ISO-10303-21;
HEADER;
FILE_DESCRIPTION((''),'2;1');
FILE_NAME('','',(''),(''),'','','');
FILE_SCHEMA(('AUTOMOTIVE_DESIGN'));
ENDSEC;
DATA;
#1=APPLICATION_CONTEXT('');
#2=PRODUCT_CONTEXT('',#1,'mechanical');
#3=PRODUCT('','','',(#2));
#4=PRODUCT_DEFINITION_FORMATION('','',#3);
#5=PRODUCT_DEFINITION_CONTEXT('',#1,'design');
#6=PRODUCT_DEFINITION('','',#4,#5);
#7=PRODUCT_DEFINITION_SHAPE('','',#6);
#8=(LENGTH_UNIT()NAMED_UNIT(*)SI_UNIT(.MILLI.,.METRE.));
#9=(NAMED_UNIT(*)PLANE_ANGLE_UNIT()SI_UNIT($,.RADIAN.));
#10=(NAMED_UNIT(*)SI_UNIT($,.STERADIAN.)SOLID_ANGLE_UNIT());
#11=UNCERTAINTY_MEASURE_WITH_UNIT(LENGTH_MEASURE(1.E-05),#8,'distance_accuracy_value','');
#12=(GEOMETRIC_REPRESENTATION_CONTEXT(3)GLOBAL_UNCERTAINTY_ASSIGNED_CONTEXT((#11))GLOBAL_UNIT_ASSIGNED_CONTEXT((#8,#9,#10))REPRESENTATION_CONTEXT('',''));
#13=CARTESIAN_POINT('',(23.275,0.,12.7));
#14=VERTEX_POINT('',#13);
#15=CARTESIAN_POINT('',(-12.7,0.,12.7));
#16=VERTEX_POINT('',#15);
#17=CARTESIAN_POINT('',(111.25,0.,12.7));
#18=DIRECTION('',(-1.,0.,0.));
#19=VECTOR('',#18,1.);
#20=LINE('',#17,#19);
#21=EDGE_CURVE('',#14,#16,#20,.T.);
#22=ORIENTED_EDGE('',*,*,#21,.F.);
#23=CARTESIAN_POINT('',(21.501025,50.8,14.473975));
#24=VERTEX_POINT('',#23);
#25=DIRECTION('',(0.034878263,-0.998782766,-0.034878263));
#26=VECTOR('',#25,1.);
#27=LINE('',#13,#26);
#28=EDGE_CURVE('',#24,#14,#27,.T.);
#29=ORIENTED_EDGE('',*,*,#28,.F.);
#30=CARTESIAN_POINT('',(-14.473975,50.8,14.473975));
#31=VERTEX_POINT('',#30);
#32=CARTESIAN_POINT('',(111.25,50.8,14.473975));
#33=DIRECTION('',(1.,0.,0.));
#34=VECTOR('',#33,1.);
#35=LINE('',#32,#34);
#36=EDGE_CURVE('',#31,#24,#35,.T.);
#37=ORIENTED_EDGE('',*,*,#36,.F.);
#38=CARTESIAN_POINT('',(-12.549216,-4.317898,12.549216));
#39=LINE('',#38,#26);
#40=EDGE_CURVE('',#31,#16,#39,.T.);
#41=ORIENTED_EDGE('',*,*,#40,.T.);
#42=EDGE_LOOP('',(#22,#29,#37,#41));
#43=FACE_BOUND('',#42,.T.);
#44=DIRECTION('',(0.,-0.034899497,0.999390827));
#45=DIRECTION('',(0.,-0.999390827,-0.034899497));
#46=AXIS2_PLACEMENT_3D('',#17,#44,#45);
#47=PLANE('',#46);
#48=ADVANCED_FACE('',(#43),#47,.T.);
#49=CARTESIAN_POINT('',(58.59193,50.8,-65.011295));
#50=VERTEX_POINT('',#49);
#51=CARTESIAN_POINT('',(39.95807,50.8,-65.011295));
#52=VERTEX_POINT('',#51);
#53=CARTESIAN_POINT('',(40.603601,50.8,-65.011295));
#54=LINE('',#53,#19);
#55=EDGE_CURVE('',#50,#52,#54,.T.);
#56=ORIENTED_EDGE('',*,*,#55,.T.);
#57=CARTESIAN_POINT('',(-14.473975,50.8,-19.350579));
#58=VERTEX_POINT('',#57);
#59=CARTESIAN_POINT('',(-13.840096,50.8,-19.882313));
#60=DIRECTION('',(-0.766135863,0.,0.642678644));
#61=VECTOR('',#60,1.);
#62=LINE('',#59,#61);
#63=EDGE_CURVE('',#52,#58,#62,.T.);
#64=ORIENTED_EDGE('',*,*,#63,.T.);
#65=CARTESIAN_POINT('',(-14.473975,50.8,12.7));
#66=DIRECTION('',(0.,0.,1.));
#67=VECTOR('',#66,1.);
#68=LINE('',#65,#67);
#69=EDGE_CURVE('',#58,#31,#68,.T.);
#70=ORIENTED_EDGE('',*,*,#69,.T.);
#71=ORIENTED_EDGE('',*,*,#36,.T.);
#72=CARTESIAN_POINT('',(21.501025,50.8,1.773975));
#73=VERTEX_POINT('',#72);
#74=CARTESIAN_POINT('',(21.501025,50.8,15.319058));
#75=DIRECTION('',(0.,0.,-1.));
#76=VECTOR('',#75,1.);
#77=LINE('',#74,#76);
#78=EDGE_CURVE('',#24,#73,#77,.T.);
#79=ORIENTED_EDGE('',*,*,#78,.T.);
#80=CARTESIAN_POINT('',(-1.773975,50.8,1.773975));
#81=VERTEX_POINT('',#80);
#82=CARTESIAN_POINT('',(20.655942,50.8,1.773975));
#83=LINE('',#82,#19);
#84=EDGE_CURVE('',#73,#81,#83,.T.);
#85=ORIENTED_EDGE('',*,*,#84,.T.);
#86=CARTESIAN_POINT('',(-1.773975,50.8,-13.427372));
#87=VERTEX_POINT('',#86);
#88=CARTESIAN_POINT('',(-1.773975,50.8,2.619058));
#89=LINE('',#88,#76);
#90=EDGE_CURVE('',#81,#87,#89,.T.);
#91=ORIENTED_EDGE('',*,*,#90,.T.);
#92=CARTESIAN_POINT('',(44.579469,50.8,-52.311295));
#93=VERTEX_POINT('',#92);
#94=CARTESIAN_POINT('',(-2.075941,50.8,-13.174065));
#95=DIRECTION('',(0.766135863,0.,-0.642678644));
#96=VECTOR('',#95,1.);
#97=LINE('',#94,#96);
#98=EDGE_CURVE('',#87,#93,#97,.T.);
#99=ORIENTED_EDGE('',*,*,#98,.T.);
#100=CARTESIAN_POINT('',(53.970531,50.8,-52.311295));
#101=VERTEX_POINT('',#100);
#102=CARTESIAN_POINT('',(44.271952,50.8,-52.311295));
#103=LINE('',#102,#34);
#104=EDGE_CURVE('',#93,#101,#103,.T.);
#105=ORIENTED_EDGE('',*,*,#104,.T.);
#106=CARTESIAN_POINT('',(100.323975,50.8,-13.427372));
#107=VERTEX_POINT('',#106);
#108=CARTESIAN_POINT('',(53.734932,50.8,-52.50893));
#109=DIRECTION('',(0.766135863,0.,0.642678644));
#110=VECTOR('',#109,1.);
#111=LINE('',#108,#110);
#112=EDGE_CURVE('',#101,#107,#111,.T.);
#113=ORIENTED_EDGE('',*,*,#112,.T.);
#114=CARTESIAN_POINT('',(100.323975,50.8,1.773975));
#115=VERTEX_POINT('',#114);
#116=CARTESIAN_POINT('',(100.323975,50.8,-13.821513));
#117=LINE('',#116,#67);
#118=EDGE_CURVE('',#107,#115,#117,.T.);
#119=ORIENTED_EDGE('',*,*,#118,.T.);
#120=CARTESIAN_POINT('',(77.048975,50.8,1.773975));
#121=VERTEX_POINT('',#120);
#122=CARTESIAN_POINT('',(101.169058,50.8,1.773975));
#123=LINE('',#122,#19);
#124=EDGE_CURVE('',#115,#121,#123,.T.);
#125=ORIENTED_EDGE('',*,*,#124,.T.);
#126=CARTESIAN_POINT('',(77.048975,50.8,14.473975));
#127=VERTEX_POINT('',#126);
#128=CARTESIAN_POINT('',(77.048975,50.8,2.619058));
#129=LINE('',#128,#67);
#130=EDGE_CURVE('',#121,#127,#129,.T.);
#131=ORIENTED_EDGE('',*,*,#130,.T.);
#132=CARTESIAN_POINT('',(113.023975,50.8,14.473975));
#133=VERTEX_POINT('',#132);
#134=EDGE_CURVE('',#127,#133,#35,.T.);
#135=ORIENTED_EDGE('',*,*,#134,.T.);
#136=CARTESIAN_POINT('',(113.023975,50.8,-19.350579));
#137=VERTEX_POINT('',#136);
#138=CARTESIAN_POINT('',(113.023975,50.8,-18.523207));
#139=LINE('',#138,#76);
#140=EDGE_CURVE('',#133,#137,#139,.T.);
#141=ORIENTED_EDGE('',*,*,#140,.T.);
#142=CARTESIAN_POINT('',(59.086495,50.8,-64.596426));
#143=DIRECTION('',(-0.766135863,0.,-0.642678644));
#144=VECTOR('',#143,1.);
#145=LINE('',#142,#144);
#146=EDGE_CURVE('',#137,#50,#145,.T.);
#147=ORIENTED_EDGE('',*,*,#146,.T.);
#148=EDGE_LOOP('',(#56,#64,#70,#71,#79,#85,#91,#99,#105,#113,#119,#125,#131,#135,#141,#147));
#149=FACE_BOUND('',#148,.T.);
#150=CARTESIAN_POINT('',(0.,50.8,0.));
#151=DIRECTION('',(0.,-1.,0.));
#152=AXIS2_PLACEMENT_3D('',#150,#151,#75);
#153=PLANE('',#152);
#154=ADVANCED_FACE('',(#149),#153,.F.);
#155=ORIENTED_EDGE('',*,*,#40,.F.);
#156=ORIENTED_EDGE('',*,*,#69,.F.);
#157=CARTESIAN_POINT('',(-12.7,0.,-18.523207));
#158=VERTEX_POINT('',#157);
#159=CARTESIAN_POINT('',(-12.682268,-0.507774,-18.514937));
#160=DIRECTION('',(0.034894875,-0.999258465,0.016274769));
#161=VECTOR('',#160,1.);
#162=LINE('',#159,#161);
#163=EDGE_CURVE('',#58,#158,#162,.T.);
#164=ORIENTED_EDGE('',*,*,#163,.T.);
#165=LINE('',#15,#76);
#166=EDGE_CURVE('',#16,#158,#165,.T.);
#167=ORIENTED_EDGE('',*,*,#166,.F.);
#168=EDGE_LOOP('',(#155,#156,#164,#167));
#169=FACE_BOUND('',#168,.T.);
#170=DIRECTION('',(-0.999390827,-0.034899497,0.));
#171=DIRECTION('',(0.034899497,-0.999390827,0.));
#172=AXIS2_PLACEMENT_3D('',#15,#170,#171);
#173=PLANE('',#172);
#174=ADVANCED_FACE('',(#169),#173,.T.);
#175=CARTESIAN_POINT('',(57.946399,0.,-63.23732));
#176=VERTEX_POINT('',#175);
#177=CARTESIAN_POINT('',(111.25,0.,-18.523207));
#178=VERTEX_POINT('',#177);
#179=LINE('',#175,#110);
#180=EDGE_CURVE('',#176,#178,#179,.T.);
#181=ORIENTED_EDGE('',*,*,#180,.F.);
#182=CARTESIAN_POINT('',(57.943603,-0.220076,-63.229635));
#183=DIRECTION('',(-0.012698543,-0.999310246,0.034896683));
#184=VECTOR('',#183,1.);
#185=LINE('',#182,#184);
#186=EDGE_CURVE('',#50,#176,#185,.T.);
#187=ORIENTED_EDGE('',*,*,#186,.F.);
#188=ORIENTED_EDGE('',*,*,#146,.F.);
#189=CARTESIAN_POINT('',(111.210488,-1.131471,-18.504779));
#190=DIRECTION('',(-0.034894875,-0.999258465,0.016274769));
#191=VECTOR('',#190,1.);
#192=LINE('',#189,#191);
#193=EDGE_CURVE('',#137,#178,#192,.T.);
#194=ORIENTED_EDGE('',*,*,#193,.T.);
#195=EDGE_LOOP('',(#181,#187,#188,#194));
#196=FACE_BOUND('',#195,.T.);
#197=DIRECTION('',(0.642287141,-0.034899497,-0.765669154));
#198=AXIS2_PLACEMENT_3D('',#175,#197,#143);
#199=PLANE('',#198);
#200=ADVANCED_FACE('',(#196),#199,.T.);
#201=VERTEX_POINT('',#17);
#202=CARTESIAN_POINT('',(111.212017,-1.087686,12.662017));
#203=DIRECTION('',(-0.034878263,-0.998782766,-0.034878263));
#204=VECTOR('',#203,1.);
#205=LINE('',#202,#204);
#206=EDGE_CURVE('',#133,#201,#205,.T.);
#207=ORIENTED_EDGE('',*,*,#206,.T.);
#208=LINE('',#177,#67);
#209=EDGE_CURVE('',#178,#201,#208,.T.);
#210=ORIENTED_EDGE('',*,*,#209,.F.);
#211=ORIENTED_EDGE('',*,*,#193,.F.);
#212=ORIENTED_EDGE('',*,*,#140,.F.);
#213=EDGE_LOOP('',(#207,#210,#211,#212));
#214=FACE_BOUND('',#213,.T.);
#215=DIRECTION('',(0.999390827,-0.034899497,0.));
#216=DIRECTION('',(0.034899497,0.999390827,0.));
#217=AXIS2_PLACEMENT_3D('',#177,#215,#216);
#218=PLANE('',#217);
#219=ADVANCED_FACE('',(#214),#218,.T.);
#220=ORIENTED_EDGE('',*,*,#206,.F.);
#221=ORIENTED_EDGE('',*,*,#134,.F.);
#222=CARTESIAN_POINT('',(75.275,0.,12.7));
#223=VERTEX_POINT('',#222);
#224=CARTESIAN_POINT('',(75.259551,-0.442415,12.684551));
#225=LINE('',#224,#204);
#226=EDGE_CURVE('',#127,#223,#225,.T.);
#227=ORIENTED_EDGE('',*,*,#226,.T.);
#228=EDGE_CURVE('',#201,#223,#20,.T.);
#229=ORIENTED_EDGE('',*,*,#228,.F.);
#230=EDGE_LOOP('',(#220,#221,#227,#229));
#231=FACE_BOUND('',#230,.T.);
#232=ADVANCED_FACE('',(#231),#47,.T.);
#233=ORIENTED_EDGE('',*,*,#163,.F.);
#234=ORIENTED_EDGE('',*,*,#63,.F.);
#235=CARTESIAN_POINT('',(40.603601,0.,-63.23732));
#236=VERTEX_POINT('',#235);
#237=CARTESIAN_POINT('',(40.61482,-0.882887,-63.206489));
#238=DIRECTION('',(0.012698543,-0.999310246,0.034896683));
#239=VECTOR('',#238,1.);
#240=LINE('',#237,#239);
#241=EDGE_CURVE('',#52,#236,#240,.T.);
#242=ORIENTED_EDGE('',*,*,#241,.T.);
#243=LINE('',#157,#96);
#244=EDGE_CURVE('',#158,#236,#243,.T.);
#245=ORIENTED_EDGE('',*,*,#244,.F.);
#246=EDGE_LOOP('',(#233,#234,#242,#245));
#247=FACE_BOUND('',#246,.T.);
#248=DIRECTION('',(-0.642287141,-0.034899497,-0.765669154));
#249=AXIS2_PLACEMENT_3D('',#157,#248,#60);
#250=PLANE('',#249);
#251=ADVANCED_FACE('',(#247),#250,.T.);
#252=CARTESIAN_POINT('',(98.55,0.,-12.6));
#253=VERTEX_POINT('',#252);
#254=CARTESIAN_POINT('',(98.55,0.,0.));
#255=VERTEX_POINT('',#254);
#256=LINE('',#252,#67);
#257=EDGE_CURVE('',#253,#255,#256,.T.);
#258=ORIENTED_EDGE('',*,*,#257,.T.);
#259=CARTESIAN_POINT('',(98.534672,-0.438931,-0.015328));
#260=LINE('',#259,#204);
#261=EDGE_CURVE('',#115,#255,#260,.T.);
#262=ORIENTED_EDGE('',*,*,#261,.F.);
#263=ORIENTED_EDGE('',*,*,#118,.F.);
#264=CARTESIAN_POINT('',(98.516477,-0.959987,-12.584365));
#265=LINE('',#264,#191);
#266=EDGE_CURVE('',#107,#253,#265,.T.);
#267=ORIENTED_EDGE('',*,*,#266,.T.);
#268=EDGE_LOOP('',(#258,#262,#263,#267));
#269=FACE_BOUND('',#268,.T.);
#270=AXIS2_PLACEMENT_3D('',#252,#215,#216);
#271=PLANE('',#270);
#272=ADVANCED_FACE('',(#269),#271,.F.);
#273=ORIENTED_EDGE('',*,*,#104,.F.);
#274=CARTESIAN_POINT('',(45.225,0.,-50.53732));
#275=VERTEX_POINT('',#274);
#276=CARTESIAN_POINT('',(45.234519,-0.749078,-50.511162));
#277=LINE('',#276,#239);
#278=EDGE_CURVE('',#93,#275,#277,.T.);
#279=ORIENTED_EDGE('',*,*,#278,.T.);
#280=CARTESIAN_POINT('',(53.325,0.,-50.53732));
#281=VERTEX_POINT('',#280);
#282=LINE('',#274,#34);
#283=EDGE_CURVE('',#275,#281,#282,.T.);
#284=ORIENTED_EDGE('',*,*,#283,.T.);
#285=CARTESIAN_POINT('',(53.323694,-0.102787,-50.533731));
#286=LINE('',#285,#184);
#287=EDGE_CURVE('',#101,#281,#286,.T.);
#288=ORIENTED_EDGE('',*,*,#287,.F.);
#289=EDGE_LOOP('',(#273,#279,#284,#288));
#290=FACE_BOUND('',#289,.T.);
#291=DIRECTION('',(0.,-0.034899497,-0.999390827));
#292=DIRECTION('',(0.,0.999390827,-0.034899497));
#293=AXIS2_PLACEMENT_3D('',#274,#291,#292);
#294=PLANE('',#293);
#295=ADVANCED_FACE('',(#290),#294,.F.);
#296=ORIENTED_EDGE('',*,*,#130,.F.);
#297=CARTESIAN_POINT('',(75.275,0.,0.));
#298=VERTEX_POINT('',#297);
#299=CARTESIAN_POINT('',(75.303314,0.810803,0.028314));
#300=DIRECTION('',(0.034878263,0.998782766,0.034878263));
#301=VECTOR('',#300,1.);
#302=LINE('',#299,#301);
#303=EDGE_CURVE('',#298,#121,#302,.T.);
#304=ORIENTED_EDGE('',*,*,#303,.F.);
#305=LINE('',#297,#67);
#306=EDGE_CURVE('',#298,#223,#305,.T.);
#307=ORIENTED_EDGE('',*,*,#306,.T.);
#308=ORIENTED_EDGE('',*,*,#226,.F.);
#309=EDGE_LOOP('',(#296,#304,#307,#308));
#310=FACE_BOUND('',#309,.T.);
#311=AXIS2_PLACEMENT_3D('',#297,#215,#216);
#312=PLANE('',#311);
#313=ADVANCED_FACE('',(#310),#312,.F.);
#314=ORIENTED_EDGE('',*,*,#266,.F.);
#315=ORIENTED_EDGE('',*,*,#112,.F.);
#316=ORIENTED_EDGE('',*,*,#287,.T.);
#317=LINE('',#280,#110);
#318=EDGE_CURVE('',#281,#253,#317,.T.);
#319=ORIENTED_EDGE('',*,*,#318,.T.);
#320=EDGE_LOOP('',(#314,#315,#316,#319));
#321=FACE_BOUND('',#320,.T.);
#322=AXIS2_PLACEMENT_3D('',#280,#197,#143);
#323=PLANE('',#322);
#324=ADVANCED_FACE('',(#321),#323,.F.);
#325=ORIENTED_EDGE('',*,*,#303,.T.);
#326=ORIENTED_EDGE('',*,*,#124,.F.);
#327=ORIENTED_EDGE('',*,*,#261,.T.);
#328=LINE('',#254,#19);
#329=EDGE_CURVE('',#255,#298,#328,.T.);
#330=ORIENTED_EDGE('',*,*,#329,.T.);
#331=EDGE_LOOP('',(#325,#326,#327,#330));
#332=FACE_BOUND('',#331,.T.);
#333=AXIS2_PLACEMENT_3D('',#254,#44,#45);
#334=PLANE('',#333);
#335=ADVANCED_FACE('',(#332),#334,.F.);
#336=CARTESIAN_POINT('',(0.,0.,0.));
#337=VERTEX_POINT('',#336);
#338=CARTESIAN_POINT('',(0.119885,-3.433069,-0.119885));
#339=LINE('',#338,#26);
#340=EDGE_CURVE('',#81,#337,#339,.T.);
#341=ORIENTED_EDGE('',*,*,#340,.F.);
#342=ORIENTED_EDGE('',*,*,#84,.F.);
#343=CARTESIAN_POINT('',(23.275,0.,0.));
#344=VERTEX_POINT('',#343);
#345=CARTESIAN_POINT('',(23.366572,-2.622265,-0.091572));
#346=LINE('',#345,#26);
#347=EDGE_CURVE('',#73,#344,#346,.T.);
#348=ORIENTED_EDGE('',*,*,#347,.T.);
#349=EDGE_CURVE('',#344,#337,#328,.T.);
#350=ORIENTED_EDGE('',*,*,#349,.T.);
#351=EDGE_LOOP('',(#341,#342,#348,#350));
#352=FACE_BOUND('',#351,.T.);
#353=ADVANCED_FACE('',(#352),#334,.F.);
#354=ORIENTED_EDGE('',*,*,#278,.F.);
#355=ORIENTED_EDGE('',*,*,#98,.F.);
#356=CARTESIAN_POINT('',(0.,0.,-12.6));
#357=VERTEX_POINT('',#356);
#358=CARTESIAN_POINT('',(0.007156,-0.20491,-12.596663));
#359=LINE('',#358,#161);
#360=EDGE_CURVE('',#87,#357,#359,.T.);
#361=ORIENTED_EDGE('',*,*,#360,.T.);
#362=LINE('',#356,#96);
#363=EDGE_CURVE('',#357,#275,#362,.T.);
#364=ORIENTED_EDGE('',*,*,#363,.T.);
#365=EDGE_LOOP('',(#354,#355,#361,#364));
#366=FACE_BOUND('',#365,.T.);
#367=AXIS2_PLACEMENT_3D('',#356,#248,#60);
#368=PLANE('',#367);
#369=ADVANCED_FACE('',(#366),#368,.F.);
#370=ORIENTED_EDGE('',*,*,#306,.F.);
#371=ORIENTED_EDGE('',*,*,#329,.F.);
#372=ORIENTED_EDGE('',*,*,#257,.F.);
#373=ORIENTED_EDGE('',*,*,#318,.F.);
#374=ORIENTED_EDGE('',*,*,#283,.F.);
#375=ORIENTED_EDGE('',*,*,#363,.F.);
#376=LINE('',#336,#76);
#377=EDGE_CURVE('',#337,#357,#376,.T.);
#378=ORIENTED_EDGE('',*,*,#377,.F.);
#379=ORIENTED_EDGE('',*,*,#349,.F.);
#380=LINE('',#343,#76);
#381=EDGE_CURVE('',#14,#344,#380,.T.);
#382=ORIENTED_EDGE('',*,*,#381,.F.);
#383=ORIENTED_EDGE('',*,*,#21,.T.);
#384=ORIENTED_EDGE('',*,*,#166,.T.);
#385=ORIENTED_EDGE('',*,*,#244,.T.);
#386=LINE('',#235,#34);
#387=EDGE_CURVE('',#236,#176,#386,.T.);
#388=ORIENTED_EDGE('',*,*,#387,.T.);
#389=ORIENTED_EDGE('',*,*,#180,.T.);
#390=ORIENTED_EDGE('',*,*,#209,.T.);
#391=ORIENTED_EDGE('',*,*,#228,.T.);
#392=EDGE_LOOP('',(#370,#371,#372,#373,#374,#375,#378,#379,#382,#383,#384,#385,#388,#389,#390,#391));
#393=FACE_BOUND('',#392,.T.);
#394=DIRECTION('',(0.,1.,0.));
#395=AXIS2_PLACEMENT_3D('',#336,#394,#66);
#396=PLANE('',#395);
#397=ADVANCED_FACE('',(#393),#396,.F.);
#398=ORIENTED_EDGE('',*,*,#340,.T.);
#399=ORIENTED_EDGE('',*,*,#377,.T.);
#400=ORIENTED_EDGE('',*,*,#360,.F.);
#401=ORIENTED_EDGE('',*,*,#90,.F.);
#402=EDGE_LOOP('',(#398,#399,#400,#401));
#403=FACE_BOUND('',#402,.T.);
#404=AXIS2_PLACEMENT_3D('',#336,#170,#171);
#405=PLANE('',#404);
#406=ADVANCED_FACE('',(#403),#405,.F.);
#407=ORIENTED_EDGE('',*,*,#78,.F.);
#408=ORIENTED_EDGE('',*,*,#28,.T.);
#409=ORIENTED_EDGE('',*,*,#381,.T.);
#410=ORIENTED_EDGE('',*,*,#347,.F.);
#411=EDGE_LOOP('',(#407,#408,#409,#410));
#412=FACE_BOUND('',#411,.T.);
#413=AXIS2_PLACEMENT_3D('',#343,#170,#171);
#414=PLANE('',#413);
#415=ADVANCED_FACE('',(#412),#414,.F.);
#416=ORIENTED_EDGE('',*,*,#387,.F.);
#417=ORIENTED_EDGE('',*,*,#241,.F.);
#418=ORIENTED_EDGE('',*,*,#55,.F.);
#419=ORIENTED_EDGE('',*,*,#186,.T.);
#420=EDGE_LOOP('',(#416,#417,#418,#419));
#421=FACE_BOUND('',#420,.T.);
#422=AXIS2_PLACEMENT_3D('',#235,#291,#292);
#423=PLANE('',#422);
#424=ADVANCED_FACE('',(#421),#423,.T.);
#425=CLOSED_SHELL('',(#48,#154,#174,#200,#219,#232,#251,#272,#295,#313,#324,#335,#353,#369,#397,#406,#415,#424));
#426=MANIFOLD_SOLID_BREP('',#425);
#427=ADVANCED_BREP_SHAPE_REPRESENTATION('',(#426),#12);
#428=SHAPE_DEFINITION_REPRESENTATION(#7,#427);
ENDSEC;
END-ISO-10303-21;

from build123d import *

# Parameters (mm, degrees)
SALIENTE_EXTRUIR1_DEPTH = 8
SALIENTE_EXTRUIR1_TAPER = -2
SALIENTE_EXTRUIR3_DEPTH = 75
SALIENTE_EXTRUIR3_TAPER = -2
CORTAR_EXTRUIR3_DEPTH   = 76.0000001
CORTAR_EXTRUIR3_TAPER   = -2
CROQUIS14_W             = 52
CROQUIS14_H             = 12.7
CORTAR_EXTRUIR4_DEPTH   = 76.0000001
CORTAR_EXTRUIR4_TAPER   = -2
CORTAR_EXTRUIR5_DEPTH   = 24.2
CORTAR_EXTRUIR5_TAPER   = -2


with BuildPart() as part:
    # Croquis1 → Saliente-Extruir1 (new body)
    with BuildSketch(Plane(origin=(0, 0, 0), x_dir=(1, 0, 0), z_dir=(0, 1, 0))):
        Polygon((0, 0), (98.55, 0), (98.55, 12.6), (53.325, 50.537320346), (45.225, 50.537320346), (0, 12.6), align=None)
    extrude(amount=SALIENTE_EXTRUIR1_DEPTH, taper=SALIENTE_EXTRUIR1_TAPER)

    # Croquis10 → Saliente-Extruir3 (add)
    with BuildSketch(Plane.XZ):
        Polygon((-12.7, 12.7), (-12.7, -18.52320689), (40.60360085, -63.237320346), (57.94639915, -63.237320346), (111.25, -18.52320689), (111.25, 12.7), align=None)
    extrude(amount=-SALIENTE_EXTRUIR3_DEPTH, taper=SALIENTE_EXTRUIR3_TAPER)

    # Croquis11 → Cortar-Extruir3 (cut, through all)
    with BuildSketch(Plane.XZ):
        Polygon((98.55, 0), (0, 0), (0, -12.6), (45.225, -50.537320346), (53.325, -50.537320346), (98.55, -12.6), align=None)
    extrude(amount=-CORTAR_EXTRUIR3_DEPTH, taper=CORTAR_EXTRUIR3_TAPER, mode=Mode.SUBTRACT)

    # Croquis14 → Cortar-Extruir4 (cut, through all)
    with BuildSketch(Plane.XZ):
        with Locations((49.275, 6.35)):
            Rectangle(CROQUIS14_W, CROQUIS14_H)
    extrude(amount=-CORTAR_EXTRUIR4_DEPTH, taper=CORTAR_EXTRUIR4_TAPER, mode=Mode.SUBTRACT)

    # Croquis16 → Cortar-Extruir5 (cut)
    with BuildSketch(Plane(origin=(0, 75, 0), x_dir=(1, 0, 0), z_dir=(0, 1, 0))):
        Polygon((101.169057712, -2.619057712), (77.894057712, -2.619057712), (77.894057712, -15.319057712), (113.869057712, -15.319057712), (113.869057712, 19.74472033), (58.899447267, 65.856378057), (39.650552733, 65.856378057), (-15.319057712, 19.74472033), (-15.319057712, -15.319057712), (20.655942288, -15.319057712), (20.655942288, -2.619057712), (-2.619057712, -2.619057712), (-2.619057712, 13.82151344), (44.271951883, 53.156378057), (54.278048117, 53.156378057), (101.169057712, 13.82151344), align=None)
    extrude(amount=-CORTAR_EXTRUIR5_DEPTH, taper=CORTAR_EXTRUIR5_TAPER, mode=Mode.SUBTRACT)


solid = part.part
